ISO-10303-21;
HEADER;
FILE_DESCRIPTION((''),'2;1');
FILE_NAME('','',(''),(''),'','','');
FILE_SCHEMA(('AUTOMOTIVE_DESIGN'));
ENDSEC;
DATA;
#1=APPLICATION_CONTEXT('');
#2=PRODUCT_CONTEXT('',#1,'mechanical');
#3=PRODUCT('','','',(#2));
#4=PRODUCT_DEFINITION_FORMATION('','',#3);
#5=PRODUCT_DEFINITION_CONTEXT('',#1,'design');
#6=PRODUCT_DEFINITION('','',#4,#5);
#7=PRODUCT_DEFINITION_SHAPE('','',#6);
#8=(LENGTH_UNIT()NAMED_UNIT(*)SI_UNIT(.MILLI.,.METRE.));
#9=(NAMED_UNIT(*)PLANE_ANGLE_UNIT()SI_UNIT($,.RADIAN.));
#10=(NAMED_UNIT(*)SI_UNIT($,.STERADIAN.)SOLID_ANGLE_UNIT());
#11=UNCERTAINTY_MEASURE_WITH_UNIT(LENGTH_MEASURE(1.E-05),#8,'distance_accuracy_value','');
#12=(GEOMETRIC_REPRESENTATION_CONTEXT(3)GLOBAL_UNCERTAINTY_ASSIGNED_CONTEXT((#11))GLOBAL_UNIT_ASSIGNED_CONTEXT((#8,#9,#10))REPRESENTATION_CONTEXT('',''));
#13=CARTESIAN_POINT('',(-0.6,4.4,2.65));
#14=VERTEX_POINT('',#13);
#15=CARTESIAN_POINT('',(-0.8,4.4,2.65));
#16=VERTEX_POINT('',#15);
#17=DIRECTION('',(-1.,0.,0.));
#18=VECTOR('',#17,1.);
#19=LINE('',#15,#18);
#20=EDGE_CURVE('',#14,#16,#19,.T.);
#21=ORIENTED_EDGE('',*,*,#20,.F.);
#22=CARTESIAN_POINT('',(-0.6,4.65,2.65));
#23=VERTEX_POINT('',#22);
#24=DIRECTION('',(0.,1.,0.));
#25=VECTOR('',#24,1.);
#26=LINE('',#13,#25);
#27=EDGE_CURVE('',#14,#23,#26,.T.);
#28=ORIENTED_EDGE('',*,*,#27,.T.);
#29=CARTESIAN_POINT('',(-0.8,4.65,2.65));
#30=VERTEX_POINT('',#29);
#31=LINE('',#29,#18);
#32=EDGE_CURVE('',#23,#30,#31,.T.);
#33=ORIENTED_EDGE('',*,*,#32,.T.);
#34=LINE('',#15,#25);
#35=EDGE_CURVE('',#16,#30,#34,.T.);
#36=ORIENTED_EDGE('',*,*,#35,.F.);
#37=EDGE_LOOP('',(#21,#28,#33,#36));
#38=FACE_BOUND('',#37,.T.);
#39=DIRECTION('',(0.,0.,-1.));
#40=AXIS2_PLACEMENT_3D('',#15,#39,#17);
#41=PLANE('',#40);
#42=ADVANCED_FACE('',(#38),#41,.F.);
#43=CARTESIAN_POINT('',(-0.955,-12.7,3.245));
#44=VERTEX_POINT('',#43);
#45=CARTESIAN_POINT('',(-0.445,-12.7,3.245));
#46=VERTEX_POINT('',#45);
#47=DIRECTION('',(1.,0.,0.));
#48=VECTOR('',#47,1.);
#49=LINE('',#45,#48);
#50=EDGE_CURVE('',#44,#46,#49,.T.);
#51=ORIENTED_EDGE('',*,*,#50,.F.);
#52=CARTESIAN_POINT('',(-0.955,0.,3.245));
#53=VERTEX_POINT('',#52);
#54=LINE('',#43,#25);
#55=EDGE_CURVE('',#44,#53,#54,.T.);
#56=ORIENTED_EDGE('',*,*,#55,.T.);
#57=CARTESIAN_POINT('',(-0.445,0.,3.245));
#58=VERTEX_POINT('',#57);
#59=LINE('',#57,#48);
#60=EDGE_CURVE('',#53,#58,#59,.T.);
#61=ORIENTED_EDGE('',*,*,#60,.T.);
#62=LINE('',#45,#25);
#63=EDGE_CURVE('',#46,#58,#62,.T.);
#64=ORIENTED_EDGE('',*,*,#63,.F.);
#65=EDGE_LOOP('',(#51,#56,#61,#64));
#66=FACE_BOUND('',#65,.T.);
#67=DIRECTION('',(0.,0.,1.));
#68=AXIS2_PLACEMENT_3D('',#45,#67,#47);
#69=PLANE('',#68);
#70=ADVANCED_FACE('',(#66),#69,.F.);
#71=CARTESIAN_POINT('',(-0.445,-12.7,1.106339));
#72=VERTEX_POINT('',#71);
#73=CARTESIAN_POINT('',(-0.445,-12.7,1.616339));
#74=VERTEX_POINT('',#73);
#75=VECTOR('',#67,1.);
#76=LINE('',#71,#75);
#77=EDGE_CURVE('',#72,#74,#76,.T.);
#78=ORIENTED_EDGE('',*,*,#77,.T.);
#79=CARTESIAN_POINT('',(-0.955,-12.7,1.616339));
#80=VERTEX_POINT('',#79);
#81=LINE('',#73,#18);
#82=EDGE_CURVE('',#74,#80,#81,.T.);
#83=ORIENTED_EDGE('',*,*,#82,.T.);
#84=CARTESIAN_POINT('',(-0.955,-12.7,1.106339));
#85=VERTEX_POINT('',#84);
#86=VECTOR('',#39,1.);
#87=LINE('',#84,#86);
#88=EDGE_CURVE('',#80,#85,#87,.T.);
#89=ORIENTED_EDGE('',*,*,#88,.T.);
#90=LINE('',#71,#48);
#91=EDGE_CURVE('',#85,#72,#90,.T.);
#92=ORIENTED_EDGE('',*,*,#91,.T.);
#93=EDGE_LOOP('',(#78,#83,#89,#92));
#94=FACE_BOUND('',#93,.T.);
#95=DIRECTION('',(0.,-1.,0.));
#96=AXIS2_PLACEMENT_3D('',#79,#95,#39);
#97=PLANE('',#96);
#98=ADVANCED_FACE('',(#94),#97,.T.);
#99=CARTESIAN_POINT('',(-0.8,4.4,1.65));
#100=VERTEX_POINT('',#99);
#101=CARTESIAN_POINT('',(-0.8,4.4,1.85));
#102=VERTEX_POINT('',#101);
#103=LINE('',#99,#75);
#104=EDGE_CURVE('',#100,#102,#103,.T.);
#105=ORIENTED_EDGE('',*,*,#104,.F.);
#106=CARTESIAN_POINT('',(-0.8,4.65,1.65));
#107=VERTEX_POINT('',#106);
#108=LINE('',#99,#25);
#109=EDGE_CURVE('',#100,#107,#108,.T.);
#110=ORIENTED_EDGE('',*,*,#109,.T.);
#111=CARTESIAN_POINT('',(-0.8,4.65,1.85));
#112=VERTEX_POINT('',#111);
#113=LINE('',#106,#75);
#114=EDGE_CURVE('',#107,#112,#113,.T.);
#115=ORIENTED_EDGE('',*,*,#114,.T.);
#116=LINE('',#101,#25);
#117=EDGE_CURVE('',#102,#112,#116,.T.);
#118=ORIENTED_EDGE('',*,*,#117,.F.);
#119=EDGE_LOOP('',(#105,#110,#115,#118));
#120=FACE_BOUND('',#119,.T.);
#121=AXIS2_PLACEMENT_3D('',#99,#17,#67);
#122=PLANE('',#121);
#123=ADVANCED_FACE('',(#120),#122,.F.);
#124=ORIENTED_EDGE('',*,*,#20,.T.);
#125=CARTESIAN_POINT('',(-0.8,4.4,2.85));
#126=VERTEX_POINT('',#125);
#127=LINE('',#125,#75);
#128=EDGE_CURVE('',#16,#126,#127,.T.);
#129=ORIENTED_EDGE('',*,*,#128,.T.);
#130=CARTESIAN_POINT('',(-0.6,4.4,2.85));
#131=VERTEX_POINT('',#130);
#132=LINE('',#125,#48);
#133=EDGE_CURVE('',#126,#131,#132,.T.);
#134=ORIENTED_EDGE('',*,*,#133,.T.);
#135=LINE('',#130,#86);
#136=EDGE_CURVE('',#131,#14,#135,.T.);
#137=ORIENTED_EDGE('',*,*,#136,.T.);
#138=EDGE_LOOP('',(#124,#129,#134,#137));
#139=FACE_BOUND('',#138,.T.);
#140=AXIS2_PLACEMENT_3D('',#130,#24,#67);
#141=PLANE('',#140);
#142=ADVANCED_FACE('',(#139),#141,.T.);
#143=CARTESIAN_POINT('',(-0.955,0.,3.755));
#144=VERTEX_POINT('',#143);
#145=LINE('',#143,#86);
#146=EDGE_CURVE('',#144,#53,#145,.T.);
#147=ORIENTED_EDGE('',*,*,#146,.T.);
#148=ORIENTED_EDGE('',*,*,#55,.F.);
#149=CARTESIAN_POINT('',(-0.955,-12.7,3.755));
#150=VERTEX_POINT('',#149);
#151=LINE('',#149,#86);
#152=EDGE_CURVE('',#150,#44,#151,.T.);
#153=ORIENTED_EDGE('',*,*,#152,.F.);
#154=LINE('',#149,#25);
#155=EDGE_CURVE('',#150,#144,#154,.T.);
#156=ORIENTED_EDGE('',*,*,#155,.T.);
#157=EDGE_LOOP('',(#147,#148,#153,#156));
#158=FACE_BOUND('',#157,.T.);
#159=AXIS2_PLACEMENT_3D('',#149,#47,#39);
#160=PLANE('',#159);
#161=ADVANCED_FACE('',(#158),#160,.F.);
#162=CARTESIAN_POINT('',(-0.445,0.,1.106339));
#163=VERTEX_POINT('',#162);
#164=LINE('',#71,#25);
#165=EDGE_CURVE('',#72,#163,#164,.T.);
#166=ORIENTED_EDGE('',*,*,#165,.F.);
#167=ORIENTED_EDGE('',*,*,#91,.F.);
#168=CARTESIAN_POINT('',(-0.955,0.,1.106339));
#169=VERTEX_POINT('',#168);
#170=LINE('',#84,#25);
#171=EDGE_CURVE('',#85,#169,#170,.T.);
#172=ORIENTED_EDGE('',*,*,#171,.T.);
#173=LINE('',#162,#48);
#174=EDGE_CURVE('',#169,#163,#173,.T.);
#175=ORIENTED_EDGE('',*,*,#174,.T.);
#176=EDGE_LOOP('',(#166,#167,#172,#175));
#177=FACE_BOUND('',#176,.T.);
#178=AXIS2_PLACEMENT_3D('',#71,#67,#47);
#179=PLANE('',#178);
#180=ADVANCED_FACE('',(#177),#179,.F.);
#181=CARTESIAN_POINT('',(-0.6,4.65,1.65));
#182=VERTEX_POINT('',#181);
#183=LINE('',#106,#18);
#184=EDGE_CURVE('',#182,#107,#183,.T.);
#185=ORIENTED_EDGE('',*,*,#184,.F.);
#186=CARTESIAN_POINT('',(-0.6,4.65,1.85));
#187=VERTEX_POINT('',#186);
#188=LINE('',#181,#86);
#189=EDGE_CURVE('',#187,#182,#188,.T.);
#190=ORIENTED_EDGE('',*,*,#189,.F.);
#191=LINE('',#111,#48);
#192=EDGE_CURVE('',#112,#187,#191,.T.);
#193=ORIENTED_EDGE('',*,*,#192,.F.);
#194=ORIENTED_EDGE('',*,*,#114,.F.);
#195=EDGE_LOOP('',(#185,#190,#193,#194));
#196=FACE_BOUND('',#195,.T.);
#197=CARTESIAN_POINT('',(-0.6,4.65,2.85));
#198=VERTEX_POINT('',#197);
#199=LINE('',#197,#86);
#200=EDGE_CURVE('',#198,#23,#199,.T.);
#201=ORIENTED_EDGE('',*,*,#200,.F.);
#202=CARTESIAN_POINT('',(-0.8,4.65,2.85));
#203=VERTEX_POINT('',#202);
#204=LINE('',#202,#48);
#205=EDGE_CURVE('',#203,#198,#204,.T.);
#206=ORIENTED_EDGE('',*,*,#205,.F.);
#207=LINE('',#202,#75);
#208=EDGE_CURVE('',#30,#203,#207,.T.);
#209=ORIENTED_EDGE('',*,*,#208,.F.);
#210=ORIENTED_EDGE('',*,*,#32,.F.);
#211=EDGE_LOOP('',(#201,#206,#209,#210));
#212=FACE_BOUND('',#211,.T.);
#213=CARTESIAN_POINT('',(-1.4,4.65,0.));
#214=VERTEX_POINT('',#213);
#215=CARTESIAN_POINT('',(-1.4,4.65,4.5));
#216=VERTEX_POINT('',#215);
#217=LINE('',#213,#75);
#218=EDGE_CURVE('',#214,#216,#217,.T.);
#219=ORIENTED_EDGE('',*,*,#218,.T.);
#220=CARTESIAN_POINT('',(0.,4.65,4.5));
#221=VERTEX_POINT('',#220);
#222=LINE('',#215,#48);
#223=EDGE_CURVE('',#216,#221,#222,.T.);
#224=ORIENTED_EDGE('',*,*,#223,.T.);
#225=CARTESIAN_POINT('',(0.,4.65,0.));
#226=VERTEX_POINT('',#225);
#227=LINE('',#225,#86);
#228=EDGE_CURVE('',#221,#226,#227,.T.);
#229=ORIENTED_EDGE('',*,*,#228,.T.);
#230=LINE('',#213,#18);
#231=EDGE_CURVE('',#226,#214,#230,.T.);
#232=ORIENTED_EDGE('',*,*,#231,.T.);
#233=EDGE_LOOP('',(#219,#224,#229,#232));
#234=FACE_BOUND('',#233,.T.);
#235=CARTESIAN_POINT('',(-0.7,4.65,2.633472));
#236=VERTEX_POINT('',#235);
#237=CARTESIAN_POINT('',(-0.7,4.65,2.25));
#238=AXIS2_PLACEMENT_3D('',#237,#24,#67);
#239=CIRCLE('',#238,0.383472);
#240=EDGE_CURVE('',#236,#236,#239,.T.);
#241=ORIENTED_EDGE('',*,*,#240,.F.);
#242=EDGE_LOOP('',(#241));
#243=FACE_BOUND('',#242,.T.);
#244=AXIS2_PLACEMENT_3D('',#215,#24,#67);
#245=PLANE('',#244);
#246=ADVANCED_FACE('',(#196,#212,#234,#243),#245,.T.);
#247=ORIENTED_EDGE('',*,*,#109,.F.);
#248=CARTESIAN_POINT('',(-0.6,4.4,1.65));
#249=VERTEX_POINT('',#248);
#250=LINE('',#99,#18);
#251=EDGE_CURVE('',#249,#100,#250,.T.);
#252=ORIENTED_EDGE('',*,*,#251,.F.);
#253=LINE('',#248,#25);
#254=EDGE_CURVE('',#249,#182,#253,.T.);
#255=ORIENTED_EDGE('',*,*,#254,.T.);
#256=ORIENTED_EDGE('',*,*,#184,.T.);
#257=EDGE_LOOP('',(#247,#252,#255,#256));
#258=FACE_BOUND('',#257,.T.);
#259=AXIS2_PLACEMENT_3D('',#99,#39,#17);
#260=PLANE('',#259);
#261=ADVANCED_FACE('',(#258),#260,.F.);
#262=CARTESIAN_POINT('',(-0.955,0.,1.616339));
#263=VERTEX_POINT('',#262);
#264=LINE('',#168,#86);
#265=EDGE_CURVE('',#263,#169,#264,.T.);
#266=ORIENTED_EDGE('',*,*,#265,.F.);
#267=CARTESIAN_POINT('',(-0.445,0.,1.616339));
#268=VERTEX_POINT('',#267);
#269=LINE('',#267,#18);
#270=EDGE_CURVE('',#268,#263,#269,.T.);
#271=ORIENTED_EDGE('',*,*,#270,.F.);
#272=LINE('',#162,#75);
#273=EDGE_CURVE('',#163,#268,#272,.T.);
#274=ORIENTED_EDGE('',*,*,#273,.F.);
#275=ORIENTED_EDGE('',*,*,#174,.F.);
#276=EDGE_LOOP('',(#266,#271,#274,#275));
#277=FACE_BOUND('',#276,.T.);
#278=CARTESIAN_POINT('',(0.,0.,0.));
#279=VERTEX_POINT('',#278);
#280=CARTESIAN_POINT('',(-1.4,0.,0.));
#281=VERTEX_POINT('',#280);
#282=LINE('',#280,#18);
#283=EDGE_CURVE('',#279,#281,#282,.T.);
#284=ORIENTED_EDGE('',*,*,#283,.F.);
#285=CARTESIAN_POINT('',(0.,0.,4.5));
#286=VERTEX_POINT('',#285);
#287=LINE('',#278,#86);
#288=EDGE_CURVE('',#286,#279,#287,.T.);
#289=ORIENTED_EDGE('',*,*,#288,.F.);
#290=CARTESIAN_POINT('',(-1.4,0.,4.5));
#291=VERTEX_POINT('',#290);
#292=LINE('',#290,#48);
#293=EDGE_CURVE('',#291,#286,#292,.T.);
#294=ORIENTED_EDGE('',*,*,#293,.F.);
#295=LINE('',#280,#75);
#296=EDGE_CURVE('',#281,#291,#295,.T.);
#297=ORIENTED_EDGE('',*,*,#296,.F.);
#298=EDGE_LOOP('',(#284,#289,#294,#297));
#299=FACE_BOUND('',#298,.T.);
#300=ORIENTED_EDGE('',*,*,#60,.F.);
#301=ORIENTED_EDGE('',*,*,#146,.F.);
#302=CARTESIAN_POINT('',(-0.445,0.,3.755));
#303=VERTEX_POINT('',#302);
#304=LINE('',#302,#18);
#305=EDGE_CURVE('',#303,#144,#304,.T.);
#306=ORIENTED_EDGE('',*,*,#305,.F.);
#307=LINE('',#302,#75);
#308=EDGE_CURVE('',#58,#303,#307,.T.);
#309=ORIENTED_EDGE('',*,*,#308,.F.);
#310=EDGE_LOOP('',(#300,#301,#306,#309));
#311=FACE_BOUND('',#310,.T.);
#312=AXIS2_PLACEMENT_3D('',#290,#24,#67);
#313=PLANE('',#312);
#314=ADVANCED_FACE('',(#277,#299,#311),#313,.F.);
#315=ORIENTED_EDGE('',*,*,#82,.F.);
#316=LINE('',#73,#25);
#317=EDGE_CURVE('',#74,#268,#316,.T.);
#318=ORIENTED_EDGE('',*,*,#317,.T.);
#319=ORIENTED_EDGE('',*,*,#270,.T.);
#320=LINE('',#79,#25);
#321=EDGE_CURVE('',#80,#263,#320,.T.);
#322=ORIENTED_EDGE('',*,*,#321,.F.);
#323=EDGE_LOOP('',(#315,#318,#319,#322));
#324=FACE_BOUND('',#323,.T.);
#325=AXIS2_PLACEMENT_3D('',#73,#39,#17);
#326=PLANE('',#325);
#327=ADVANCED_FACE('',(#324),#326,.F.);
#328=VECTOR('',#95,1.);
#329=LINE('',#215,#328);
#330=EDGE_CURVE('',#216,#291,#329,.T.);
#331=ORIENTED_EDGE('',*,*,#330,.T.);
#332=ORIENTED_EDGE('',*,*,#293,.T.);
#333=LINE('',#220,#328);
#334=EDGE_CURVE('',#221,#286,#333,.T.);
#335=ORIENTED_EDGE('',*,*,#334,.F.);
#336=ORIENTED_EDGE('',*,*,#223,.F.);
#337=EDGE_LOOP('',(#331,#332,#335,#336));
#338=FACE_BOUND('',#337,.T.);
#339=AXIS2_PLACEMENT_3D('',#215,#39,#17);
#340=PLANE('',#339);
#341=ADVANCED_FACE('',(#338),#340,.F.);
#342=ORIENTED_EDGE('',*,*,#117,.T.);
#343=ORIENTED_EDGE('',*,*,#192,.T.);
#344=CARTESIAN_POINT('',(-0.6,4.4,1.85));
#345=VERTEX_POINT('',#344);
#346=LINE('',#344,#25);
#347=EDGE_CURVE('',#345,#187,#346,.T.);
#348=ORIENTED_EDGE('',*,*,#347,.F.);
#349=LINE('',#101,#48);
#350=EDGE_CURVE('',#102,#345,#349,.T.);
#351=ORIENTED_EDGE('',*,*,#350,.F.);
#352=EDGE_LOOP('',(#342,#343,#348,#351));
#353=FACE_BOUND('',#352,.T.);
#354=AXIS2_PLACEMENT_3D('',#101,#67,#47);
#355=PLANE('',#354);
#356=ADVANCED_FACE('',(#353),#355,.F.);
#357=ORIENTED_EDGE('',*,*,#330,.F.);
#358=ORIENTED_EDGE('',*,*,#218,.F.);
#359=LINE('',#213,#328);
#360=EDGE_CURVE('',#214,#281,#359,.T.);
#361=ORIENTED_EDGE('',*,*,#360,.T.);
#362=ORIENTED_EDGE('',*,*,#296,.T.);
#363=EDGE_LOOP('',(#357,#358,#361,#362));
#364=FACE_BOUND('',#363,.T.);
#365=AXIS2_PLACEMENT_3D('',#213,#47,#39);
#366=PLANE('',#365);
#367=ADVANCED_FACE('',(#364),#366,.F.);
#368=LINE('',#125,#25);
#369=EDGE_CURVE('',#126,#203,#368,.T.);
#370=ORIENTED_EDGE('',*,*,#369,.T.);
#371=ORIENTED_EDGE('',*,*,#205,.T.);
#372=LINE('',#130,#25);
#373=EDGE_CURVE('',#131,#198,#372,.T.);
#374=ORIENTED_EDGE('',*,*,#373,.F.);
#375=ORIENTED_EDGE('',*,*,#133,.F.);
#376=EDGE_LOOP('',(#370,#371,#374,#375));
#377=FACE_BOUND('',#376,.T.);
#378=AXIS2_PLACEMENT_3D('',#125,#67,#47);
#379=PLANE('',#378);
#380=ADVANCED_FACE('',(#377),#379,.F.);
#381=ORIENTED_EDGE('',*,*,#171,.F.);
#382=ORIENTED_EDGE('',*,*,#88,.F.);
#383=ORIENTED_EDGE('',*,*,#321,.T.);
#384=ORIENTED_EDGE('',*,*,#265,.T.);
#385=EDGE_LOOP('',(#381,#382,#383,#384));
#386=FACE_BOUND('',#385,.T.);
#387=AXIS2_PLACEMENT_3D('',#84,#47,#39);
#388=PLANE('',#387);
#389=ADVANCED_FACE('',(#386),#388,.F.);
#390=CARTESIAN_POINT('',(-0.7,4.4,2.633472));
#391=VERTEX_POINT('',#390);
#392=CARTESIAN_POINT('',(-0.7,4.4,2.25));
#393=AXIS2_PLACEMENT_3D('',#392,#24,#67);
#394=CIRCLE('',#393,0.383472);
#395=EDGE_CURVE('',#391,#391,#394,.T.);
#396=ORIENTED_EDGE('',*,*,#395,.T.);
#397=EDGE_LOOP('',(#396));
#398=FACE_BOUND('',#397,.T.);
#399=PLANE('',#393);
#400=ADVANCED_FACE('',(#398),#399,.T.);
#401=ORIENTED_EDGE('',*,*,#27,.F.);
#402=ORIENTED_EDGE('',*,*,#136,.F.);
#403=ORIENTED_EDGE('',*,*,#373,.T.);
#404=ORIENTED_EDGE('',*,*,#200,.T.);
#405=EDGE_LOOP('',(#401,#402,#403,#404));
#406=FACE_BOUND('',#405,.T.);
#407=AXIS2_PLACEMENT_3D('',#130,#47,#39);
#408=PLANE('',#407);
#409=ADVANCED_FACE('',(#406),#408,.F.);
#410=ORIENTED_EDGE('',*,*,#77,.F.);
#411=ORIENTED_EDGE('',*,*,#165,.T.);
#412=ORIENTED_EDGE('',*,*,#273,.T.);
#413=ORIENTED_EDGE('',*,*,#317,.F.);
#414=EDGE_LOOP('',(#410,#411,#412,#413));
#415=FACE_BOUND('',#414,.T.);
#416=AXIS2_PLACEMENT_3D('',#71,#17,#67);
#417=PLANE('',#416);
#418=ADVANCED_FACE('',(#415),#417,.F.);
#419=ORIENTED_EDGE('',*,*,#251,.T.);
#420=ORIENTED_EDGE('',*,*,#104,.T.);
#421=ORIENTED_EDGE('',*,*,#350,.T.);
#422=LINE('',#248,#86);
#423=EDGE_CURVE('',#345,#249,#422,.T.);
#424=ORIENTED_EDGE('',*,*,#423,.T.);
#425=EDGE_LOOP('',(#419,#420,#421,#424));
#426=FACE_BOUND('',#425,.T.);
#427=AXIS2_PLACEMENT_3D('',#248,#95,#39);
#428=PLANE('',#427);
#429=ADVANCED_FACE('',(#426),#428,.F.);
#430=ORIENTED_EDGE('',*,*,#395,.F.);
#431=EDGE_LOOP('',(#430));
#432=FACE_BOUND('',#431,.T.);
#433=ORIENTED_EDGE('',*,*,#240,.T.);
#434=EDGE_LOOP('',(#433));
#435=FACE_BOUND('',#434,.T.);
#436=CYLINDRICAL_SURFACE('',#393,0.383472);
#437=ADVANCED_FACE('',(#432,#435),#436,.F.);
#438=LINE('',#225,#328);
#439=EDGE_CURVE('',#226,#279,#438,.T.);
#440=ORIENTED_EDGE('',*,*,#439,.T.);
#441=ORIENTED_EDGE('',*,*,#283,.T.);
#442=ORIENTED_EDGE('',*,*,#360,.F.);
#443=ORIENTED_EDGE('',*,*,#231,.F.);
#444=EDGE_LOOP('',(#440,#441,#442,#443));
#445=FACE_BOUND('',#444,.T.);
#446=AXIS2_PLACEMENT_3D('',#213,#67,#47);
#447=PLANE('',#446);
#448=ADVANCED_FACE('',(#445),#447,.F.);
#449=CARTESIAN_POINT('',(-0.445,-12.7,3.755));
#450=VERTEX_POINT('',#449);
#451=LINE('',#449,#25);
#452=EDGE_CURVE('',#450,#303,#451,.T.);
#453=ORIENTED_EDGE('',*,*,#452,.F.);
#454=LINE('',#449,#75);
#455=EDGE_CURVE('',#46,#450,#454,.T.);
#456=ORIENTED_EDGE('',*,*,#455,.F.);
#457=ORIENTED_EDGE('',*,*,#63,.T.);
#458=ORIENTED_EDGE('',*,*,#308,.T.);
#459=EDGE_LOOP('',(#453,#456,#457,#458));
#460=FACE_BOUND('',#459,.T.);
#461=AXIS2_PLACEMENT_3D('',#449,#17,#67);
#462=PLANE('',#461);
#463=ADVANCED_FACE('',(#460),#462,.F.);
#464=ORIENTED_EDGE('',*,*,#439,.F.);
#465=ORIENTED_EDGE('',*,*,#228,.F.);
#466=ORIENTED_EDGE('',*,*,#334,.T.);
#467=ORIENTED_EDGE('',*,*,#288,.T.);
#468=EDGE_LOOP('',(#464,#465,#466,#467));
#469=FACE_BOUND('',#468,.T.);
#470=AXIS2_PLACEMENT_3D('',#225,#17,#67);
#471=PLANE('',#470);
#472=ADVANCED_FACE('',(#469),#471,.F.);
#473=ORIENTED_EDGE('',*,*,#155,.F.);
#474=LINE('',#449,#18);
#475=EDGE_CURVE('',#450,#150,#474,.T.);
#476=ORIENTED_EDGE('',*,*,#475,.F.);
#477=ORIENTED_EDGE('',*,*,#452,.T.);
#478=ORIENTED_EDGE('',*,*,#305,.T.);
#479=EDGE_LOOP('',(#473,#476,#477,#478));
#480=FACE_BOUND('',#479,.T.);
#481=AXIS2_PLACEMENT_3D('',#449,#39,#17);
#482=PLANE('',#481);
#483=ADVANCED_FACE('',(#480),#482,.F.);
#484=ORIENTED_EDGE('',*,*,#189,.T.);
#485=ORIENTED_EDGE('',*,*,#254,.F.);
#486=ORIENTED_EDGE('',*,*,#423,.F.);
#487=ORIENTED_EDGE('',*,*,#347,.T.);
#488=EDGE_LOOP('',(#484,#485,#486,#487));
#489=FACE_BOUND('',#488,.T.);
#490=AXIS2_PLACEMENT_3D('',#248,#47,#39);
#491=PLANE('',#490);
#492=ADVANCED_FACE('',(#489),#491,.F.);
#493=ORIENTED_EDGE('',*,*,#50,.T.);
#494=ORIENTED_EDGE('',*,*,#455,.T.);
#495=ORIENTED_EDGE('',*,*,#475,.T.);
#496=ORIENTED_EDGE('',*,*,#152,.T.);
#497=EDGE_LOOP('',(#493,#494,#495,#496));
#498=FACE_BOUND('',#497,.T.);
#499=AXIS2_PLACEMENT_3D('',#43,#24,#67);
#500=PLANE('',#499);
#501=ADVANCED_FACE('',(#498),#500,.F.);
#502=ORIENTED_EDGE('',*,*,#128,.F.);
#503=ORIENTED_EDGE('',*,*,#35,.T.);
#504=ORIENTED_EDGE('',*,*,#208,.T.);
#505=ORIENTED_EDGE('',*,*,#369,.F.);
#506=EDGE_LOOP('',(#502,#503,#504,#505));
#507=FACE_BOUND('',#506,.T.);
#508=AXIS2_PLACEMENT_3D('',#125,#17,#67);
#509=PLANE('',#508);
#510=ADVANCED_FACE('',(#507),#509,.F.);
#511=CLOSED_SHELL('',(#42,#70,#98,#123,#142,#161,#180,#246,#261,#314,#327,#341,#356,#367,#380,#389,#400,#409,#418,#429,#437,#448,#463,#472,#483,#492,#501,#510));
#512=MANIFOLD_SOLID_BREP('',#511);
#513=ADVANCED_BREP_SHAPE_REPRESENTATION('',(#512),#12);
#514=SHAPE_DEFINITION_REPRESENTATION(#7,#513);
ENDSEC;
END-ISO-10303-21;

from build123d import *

# Parameters (mm, degrees)
CROQUIS1_W              = 1.4
CROQUIS1_H              = 4.5
SALIENTE_EXTRUIR1_DEPTH = 4.65
CROQUIS3_R              = 0.383471958
CORTAR_EXTRUIR1_DEPTH   = 0.25
CROQUIS4_W              = 0.2
CROQUIS4_H              = 0.2
CORTAR_EXTRUIR5_DEPTH   = 0.25
CROQUIS5_W              = 0.51
CROQUIS5_H              = 0.51
SALIENTE_EXTRUIR2_DEPTH = 12.7


with BuildPart() as part:
    # Croquis1 → Saliente-Extruir1 (new body)
    with BuildSketch(Plane(origin=(0, 0, 0), x_dir=(1, 0, 0), z_dir=(0, 1, 0))):
        with Locations((-0.7, -2.25)):
            Rectangle(CROQUIS1_W, CROQUIS1_H)
    extrude(amount=SALIENTE_EXTRUIR1_DEPTH)

    # Croquis3 → Cortar-Extruir1 (cut)
    with BuildSketch(Plane(origin=(0, 4.65, 0), x_dir=(1, 0, 0), z_dir=(0, 1, 0))):
        with Locations(Location((-0.7, -2.25, 0), (0, 0, 270))):
            Circle(CROQUIS3_R)
    extrude(amount=-CORTAR_EXTRUIR1_DEPTH, mode=Mode.SUBTRACT)

    # Croquis4 → Cortar-Extruir5 (cut)
    with BuildSketch(Plane(origin=(0, 4.65, 0), x_dir=(1, 0, 0), z_dir=(0, 1, 0))):
        with Locations((-0.7, -1.75)):
            Rectangle(CROQUIS4_W, CROQUIS4_H)
        with Locations((-0.7, -2.75)):
            Rectangle(CROQUIS4_W, CROQUIS4_H)
    extrude(amount=-CORTAR_EXTRUIR5_DEPTH, mode=Mode.SUBTRACT)

    # Croquis5 → Saliente-Extruir2 (add)
    with BuildSketch(Plane.XZ):
        with Locations((-0.7, 3.5)):
            Rectangle(CROQUIS5_W, CROQUIS5_H)
        with Locations((-0.7, 1.361338898)):
            Rectangle(CROQUIS5_W, CROQUIS5_H)
    extrude(amount=SALIENTE_EXTRUIR2_DEPTH)


solid = part.part
